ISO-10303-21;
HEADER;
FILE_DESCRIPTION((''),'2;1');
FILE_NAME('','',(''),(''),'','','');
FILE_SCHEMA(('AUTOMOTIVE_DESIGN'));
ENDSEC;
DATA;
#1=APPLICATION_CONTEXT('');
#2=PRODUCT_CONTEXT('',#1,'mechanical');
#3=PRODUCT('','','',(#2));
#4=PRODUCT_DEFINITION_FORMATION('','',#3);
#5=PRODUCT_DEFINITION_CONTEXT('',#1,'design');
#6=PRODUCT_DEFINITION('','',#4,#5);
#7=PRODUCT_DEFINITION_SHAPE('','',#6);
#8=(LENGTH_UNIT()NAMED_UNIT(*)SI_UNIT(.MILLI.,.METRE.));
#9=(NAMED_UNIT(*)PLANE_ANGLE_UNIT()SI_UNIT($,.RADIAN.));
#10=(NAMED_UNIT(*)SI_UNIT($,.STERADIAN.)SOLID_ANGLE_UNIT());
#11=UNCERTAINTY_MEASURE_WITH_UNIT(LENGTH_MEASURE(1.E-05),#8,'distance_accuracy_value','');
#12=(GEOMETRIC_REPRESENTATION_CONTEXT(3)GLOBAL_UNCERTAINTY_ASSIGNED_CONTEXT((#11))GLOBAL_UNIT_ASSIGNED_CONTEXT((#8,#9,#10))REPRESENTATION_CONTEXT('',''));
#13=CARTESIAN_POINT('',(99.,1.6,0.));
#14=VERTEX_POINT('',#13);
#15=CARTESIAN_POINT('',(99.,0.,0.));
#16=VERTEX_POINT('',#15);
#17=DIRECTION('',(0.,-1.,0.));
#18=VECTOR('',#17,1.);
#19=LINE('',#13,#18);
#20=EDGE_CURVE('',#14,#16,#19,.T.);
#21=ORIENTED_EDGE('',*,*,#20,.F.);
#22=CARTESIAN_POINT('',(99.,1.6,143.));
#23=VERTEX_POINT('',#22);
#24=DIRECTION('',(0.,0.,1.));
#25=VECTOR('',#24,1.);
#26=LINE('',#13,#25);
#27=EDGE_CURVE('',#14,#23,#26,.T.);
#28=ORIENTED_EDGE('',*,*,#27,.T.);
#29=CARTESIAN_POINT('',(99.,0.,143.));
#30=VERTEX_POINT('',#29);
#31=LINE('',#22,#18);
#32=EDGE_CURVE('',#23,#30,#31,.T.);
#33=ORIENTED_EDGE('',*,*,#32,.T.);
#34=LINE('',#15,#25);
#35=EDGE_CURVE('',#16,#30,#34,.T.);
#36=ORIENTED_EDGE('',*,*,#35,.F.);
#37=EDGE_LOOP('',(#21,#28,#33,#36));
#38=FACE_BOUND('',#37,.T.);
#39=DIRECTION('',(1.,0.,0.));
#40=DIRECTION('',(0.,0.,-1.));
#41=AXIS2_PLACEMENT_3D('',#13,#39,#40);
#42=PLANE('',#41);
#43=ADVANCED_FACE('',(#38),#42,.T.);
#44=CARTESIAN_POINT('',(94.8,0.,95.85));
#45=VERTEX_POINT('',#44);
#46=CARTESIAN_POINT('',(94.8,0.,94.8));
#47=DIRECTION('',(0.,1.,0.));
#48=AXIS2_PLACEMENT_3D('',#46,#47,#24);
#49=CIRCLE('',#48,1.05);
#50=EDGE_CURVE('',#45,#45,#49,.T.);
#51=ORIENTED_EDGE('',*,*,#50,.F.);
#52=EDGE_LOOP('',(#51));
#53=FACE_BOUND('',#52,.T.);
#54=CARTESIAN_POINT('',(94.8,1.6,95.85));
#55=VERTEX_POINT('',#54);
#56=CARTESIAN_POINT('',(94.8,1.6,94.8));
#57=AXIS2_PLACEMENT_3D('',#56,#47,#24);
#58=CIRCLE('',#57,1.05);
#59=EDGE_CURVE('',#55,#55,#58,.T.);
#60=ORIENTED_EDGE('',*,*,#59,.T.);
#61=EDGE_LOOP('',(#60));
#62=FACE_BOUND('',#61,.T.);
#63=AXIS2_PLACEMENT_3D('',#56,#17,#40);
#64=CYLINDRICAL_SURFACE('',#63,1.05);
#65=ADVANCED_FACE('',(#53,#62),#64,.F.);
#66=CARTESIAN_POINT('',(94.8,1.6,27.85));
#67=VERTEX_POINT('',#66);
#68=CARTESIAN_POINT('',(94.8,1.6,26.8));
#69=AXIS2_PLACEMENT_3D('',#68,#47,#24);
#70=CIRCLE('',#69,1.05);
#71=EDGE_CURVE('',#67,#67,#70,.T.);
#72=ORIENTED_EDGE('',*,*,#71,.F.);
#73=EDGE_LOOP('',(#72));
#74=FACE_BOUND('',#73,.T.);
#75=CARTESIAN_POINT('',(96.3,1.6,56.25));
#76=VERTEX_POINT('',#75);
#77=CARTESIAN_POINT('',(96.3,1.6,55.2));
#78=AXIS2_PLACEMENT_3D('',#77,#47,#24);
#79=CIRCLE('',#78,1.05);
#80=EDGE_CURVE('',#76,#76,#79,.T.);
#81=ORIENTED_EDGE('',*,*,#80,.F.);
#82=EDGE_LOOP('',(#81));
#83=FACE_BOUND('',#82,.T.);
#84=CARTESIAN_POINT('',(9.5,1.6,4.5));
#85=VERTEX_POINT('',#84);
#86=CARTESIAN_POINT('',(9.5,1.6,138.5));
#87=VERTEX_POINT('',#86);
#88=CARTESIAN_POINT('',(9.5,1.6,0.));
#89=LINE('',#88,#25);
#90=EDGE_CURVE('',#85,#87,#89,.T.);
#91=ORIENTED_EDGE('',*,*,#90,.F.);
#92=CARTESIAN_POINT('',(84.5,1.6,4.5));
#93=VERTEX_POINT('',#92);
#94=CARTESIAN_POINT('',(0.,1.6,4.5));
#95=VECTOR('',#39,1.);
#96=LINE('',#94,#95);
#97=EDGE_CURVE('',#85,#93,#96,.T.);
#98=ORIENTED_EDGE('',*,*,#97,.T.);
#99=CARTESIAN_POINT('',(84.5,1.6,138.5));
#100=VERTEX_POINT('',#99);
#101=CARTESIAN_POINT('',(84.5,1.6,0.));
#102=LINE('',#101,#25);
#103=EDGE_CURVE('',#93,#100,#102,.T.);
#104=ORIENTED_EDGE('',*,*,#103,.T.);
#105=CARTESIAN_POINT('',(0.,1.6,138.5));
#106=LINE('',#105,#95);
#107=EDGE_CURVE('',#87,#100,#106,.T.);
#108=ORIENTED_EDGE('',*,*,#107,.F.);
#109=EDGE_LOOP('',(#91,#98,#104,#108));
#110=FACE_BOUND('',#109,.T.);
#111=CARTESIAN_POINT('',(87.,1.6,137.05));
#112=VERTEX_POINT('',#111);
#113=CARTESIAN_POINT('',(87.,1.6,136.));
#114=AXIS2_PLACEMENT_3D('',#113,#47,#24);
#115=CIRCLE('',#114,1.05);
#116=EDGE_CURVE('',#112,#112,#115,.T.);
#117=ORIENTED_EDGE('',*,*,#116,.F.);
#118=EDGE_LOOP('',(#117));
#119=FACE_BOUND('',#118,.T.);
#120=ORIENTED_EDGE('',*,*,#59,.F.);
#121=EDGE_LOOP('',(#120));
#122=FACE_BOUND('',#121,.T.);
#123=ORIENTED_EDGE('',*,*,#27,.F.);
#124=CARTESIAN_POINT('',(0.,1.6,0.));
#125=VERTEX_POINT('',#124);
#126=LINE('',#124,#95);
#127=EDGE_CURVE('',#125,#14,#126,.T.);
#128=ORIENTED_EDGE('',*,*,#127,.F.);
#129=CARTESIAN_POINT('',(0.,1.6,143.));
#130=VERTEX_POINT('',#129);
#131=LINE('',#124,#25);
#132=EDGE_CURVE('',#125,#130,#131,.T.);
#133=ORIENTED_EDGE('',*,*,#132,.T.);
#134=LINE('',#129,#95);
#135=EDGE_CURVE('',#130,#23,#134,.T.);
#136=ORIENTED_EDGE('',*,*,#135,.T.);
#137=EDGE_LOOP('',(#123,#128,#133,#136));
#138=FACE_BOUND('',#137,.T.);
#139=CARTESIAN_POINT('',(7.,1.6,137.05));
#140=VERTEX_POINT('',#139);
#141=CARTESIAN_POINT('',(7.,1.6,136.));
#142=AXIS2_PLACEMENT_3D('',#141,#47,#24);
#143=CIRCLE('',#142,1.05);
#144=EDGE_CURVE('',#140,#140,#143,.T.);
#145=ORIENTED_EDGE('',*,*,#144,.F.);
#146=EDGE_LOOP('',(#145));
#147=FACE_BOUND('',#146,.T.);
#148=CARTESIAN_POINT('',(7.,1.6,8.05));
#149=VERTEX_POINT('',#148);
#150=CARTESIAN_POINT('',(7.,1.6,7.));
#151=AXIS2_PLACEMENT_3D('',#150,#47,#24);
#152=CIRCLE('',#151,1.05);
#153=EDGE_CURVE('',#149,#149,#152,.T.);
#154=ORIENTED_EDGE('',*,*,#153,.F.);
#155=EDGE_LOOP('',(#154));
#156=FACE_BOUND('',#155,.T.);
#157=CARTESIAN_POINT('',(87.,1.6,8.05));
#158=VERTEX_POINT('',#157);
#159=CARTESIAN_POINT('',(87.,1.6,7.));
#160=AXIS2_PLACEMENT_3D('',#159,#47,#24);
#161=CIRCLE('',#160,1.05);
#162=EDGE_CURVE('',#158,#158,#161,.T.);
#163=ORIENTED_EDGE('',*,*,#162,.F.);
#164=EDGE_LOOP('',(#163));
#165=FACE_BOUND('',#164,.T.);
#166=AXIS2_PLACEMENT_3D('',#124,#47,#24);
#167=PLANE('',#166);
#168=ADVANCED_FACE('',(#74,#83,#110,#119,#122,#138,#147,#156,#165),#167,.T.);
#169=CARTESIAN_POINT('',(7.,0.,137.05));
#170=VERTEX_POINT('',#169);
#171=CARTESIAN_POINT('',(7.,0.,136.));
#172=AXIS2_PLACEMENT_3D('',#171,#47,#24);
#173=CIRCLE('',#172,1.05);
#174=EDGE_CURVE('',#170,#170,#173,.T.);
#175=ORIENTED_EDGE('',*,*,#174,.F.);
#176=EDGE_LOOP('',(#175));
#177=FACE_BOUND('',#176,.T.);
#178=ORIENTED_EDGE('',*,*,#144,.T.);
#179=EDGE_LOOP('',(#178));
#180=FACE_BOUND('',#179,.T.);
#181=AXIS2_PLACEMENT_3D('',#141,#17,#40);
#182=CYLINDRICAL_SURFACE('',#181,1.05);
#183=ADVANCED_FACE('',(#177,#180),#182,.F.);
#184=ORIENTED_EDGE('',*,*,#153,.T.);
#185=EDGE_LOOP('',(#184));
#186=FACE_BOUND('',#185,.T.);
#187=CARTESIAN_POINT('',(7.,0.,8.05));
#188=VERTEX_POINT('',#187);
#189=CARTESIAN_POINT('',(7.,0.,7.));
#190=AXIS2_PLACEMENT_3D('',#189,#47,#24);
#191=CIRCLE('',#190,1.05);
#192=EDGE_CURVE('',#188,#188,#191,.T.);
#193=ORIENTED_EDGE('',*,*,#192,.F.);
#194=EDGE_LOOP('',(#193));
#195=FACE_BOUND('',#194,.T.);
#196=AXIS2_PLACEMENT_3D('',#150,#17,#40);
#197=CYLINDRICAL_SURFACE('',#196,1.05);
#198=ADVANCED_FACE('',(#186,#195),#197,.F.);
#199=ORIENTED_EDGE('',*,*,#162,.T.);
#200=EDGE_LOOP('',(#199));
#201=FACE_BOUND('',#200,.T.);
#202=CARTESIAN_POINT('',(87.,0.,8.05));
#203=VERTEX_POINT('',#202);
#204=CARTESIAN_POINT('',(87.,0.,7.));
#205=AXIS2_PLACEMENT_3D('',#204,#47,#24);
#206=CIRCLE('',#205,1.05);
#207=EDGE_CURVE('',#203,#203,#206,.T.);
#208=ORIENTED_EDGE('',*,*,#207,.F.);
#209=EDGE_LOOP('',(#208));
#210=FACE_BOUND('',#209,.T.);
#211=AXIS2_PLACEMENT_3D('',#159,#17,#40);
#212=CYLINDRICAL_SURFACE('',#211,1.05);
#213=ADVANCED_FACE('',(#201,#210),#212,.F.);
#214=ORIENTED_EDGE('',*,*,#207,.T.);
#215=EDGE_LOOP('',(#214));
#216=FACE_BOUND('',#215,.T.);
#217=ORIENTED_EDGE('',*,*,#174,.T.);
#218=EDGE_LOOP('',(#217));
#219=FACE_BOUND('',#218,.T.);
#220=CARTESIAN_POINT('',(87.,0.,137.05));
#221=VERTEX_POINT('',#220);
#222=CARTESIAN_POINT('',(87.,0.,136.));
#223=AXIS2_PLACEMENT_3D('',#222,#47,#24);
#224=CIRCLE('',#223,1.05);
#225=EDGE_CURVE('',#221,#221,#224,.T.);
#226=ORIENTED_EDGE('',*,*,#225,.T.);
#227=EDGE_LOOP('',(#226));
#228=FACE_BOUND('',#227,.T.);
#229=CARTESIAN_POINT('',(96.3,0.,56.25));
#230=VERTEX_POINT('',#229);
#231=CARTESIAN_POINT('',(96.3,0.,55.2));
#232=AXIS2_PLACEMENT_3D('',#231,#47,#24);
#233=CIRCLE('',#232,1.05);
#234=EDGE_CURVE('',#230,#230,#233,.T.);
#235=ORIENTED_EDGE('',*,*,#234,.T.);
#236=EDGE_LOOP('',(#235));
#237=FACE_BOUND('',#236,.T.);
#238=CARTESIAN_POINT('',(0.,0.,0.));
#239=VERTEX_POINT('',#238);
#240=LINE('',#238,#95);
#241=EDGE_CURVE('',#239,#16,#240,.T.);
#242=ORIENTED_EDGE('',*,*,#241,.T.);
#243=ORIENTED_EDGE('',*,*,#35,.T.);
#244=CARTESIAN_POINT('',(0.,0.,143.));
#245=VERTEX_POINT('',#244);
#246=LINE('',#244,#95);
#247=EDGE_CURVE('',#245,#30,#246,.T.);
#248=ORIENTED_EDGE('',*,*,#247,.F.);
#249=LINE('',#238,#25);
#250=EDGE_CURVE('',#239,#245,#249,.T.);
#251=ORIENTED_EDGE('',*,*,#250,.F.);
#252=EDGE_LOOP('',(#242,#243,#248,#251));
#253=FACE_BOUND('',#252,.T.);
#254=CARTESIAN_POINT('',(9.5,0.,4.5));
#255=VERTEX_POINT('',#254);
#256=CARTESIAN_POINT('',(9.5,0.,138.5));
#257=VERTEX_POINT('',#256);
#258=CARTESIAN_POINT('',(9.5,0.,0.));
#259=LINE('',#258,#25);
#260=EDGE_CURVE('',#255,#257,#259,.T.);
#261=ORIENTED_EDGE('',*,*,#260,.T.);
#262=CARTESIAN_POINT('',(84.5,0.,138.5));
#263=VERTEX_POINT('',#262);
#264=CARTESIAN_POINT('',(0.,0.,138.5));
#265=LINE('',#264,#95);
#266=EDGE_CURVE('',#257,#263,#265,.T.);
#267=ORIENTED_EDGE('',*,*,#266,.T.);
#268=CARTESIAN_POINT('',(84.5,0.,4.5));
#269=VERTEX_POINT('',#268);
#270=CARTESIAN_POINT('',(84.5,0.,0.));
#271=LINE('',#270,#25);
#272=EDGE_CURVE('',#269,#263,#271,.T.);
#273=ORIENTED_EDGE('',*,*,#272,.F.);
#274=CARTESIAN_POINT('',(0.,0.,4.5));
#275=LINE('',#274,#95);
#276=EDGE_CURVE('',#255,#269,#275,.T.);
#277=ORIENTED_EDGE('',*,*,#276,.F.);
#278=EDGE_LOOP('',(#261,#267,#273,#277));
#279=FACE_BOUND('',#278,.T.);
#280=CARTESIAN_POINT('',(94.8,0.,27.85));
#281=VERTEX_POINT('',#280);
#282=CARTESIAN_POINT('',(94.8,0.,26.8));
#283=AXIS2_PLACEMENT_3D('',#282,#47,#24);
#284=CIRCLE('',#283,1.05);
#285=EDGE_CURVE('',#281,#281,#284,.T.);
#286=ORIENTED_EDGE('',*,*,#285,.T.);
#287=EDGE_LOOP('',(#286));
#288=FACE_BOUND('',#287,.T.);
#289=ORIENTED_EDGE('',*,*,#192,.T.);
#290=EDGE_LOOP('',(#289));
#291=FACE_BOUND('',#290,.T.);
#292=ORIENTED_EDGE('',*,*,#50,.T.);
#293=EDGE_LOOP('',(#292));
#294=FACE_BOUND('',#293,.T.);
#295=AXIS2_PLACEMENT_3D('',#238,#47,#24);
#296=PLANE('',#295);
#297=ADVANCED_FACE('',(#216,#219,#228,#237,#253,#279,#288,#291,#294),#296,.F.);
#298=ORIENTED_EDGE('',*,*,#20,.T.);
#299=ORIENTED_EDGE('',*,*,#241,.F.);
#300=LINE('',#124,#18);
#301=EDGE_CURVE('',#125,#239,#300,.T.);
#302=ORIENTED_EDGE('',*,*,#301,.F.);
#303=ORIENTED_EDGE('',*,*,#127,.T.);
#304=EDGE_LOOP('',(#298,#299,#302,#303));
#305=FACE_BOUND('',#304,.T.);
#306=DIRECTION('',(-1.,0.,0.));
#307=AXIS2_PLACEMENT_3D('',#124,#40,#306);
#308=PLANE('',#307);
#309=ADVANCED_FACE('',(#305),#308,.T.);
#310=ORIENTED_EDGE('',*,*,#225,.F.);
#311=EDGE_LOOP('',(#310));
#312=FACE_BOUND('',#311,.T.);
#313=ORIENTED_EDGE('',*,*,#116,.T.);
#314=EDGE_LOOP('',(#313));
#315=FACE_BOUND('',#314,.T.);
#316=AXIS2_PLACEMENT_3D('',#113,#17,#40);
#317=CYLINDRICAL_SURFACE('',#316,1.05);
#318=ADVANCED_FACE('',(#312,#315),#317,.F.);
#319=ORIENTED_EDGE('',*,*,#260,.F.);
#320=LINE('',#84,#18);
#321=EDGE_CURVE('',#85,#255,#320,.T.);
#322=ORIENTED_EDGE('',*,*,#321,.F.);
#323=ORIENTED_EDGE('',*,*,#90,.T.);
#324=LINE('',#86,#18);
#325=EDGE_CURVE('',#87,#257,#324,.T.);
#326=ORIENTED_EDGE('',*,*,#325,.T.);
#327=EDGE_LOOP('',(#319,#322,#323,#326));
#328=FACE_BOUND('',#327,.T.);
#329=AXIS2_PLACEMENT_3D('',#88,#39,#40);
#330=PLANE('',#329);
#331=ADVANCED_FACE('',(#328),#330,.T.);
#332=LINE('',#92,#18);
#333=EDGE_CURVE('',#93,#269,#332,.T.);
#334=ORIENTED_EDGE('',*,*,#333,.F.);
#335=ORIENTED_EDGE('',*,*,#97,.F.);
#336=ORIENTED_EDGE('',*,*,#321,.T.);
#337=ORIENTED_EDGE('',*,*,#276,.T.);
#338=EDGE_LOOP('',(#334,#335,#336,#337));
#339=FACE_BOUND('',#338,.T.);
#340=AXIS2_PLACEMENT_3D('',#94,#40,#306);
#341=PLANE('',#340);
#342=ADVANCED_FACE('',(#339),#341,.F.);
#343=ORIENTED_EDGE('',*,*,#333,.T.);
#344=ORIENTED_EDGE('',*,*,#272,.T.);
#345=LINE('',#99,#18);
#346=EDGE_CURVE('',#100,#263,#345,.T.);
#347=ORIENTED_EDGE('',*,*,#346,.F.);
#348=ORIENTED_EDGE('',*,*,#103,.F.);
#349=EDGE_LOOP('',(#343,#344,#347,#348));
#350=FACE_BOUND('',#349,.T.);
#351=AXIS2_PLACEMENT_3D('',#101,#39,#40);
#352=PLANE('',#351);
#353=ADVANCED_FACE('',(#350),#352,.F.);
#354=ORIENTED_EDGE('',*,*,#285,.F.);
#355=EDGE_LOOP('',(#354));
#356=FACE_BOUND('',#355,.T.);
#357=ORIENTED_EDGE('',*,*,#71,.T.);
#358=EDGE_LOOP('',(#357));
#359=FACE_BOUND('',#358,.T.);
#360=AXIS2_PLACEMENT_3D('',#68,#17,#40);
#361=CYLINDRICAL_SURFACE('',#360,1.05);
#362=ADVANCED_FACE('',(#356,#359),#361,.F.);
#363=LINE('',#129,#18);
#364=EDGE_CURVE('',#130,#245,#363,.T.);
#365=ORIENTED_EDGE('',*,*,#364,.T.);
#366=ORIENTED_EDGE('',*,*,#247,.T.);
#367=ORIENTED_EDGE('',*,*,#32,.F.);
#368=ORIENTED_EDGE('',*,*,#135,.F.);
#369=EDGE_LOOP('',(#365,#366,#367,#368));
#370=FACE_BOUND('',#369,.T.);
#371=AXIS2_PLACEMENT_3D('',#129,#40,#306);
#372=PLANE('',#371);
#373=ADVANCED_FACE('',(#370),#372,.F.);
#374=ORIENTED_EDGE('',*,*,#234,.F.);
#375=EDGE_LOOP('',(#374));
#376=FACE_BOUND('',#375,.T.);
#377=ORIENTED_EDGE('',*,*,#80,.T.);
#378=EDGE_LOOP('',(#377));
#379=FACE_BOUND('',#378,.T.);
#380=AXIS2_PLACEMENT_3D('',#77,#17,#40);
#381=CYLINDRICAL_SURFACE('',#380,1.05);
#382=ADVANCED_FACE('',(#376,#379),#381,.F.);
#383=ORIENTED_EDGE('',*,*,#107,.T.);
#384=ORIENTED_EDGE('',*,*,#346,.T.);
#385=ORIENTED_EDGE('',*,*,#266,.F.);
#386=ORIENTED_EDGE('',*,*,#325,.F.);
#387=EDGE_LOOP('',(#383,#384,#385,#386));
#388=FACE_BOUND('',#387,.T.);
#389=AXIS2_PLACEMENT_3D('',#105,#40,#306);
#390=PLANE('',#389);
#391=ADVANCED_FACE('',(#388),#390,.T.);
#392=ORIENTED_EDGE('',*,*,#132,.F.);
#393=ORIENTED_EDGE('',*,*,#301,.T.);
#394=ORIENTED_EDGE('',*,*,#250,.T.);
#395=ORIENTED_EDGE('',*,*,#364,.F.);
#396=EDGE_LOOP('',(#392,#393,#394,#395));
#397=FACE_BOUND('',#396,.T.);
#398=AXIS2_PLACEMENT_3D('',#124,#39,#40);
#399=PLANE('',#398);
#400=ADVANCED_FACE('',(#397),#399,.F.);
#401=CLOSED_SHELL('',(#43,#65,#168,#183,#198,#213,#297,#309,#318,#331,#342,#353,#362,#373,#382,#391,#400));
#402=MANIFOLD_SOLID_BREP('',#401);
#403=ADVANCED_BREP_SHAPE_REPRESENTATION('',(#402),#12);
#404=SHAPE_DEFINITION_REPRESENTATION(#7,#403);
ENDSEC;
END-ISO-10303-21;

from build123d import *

# Parameters (mm, degrees)
SKETCH_1_W      = 99
SKETCH_1_H      = 143
SKETCH_1_W_2    = 75
SKETCH_1_H_2    = 134
SKETCH_1_R      = 1.05
EXTRUDE_1_DEPTH = 1.6


with BuildPart() as part:
    # 草图1 → 凸台-拉伸1 (new body)
    with BuildSketch(Plane(origin=(0, 0, 0), x_dir=(1, 0, 0), z_dir=(0, 1, 0))):
        with Locations((49.5, -71.5)):
            Rectangle(SKETCH_1_W, SKETCH_1_H)
        with Locations((47, -71.5)):
            Rectangle(SKETCH_1_W_2, SKETCH_1_H_2, mode=Mode.SUBTRACT)
        with Locations(Location((94.8, -94.8, 0), (0, 0, 270))):
            Circle(SKETCH_1_R, mode=Mode.SUBTRACT)
        with Locations(Location((7, -7, 0), (0, 0, 270))):
            Circle(SKETCH_1_R, mode=Mode.SUBTRACT)
        with Locations(Location((96.3, -55.2, 0), (0, 0, 270))):
            Circle(SKETCH_1_R, mode=Mode.SUBTRACT)
        with Locations(Location((94.8, -26.8, 0), (0, 0, 270))):
            Circle(SKETCH_1_R, mode=Mode.SUBTRACT)
        with Locations(Location((87, -7, 0), (0, 0, 270))):
            Circle(SKETCH_1_R, mode=Mode.SUBTRACT)
        with Locations(Location((7, -136, 0), (0, 0, 270))):
            Circle(SKETCH_1_R, mode=Mode.SUBTRACT)
        with Locations(Location((87, -136, 0), (0, 0, 270))):
            Circle(SKETCH_1_R, mode=Mode.SUBTRACT)
    extrude(amount=EXTRUDE_1_DEPTH)


solid = part.part
